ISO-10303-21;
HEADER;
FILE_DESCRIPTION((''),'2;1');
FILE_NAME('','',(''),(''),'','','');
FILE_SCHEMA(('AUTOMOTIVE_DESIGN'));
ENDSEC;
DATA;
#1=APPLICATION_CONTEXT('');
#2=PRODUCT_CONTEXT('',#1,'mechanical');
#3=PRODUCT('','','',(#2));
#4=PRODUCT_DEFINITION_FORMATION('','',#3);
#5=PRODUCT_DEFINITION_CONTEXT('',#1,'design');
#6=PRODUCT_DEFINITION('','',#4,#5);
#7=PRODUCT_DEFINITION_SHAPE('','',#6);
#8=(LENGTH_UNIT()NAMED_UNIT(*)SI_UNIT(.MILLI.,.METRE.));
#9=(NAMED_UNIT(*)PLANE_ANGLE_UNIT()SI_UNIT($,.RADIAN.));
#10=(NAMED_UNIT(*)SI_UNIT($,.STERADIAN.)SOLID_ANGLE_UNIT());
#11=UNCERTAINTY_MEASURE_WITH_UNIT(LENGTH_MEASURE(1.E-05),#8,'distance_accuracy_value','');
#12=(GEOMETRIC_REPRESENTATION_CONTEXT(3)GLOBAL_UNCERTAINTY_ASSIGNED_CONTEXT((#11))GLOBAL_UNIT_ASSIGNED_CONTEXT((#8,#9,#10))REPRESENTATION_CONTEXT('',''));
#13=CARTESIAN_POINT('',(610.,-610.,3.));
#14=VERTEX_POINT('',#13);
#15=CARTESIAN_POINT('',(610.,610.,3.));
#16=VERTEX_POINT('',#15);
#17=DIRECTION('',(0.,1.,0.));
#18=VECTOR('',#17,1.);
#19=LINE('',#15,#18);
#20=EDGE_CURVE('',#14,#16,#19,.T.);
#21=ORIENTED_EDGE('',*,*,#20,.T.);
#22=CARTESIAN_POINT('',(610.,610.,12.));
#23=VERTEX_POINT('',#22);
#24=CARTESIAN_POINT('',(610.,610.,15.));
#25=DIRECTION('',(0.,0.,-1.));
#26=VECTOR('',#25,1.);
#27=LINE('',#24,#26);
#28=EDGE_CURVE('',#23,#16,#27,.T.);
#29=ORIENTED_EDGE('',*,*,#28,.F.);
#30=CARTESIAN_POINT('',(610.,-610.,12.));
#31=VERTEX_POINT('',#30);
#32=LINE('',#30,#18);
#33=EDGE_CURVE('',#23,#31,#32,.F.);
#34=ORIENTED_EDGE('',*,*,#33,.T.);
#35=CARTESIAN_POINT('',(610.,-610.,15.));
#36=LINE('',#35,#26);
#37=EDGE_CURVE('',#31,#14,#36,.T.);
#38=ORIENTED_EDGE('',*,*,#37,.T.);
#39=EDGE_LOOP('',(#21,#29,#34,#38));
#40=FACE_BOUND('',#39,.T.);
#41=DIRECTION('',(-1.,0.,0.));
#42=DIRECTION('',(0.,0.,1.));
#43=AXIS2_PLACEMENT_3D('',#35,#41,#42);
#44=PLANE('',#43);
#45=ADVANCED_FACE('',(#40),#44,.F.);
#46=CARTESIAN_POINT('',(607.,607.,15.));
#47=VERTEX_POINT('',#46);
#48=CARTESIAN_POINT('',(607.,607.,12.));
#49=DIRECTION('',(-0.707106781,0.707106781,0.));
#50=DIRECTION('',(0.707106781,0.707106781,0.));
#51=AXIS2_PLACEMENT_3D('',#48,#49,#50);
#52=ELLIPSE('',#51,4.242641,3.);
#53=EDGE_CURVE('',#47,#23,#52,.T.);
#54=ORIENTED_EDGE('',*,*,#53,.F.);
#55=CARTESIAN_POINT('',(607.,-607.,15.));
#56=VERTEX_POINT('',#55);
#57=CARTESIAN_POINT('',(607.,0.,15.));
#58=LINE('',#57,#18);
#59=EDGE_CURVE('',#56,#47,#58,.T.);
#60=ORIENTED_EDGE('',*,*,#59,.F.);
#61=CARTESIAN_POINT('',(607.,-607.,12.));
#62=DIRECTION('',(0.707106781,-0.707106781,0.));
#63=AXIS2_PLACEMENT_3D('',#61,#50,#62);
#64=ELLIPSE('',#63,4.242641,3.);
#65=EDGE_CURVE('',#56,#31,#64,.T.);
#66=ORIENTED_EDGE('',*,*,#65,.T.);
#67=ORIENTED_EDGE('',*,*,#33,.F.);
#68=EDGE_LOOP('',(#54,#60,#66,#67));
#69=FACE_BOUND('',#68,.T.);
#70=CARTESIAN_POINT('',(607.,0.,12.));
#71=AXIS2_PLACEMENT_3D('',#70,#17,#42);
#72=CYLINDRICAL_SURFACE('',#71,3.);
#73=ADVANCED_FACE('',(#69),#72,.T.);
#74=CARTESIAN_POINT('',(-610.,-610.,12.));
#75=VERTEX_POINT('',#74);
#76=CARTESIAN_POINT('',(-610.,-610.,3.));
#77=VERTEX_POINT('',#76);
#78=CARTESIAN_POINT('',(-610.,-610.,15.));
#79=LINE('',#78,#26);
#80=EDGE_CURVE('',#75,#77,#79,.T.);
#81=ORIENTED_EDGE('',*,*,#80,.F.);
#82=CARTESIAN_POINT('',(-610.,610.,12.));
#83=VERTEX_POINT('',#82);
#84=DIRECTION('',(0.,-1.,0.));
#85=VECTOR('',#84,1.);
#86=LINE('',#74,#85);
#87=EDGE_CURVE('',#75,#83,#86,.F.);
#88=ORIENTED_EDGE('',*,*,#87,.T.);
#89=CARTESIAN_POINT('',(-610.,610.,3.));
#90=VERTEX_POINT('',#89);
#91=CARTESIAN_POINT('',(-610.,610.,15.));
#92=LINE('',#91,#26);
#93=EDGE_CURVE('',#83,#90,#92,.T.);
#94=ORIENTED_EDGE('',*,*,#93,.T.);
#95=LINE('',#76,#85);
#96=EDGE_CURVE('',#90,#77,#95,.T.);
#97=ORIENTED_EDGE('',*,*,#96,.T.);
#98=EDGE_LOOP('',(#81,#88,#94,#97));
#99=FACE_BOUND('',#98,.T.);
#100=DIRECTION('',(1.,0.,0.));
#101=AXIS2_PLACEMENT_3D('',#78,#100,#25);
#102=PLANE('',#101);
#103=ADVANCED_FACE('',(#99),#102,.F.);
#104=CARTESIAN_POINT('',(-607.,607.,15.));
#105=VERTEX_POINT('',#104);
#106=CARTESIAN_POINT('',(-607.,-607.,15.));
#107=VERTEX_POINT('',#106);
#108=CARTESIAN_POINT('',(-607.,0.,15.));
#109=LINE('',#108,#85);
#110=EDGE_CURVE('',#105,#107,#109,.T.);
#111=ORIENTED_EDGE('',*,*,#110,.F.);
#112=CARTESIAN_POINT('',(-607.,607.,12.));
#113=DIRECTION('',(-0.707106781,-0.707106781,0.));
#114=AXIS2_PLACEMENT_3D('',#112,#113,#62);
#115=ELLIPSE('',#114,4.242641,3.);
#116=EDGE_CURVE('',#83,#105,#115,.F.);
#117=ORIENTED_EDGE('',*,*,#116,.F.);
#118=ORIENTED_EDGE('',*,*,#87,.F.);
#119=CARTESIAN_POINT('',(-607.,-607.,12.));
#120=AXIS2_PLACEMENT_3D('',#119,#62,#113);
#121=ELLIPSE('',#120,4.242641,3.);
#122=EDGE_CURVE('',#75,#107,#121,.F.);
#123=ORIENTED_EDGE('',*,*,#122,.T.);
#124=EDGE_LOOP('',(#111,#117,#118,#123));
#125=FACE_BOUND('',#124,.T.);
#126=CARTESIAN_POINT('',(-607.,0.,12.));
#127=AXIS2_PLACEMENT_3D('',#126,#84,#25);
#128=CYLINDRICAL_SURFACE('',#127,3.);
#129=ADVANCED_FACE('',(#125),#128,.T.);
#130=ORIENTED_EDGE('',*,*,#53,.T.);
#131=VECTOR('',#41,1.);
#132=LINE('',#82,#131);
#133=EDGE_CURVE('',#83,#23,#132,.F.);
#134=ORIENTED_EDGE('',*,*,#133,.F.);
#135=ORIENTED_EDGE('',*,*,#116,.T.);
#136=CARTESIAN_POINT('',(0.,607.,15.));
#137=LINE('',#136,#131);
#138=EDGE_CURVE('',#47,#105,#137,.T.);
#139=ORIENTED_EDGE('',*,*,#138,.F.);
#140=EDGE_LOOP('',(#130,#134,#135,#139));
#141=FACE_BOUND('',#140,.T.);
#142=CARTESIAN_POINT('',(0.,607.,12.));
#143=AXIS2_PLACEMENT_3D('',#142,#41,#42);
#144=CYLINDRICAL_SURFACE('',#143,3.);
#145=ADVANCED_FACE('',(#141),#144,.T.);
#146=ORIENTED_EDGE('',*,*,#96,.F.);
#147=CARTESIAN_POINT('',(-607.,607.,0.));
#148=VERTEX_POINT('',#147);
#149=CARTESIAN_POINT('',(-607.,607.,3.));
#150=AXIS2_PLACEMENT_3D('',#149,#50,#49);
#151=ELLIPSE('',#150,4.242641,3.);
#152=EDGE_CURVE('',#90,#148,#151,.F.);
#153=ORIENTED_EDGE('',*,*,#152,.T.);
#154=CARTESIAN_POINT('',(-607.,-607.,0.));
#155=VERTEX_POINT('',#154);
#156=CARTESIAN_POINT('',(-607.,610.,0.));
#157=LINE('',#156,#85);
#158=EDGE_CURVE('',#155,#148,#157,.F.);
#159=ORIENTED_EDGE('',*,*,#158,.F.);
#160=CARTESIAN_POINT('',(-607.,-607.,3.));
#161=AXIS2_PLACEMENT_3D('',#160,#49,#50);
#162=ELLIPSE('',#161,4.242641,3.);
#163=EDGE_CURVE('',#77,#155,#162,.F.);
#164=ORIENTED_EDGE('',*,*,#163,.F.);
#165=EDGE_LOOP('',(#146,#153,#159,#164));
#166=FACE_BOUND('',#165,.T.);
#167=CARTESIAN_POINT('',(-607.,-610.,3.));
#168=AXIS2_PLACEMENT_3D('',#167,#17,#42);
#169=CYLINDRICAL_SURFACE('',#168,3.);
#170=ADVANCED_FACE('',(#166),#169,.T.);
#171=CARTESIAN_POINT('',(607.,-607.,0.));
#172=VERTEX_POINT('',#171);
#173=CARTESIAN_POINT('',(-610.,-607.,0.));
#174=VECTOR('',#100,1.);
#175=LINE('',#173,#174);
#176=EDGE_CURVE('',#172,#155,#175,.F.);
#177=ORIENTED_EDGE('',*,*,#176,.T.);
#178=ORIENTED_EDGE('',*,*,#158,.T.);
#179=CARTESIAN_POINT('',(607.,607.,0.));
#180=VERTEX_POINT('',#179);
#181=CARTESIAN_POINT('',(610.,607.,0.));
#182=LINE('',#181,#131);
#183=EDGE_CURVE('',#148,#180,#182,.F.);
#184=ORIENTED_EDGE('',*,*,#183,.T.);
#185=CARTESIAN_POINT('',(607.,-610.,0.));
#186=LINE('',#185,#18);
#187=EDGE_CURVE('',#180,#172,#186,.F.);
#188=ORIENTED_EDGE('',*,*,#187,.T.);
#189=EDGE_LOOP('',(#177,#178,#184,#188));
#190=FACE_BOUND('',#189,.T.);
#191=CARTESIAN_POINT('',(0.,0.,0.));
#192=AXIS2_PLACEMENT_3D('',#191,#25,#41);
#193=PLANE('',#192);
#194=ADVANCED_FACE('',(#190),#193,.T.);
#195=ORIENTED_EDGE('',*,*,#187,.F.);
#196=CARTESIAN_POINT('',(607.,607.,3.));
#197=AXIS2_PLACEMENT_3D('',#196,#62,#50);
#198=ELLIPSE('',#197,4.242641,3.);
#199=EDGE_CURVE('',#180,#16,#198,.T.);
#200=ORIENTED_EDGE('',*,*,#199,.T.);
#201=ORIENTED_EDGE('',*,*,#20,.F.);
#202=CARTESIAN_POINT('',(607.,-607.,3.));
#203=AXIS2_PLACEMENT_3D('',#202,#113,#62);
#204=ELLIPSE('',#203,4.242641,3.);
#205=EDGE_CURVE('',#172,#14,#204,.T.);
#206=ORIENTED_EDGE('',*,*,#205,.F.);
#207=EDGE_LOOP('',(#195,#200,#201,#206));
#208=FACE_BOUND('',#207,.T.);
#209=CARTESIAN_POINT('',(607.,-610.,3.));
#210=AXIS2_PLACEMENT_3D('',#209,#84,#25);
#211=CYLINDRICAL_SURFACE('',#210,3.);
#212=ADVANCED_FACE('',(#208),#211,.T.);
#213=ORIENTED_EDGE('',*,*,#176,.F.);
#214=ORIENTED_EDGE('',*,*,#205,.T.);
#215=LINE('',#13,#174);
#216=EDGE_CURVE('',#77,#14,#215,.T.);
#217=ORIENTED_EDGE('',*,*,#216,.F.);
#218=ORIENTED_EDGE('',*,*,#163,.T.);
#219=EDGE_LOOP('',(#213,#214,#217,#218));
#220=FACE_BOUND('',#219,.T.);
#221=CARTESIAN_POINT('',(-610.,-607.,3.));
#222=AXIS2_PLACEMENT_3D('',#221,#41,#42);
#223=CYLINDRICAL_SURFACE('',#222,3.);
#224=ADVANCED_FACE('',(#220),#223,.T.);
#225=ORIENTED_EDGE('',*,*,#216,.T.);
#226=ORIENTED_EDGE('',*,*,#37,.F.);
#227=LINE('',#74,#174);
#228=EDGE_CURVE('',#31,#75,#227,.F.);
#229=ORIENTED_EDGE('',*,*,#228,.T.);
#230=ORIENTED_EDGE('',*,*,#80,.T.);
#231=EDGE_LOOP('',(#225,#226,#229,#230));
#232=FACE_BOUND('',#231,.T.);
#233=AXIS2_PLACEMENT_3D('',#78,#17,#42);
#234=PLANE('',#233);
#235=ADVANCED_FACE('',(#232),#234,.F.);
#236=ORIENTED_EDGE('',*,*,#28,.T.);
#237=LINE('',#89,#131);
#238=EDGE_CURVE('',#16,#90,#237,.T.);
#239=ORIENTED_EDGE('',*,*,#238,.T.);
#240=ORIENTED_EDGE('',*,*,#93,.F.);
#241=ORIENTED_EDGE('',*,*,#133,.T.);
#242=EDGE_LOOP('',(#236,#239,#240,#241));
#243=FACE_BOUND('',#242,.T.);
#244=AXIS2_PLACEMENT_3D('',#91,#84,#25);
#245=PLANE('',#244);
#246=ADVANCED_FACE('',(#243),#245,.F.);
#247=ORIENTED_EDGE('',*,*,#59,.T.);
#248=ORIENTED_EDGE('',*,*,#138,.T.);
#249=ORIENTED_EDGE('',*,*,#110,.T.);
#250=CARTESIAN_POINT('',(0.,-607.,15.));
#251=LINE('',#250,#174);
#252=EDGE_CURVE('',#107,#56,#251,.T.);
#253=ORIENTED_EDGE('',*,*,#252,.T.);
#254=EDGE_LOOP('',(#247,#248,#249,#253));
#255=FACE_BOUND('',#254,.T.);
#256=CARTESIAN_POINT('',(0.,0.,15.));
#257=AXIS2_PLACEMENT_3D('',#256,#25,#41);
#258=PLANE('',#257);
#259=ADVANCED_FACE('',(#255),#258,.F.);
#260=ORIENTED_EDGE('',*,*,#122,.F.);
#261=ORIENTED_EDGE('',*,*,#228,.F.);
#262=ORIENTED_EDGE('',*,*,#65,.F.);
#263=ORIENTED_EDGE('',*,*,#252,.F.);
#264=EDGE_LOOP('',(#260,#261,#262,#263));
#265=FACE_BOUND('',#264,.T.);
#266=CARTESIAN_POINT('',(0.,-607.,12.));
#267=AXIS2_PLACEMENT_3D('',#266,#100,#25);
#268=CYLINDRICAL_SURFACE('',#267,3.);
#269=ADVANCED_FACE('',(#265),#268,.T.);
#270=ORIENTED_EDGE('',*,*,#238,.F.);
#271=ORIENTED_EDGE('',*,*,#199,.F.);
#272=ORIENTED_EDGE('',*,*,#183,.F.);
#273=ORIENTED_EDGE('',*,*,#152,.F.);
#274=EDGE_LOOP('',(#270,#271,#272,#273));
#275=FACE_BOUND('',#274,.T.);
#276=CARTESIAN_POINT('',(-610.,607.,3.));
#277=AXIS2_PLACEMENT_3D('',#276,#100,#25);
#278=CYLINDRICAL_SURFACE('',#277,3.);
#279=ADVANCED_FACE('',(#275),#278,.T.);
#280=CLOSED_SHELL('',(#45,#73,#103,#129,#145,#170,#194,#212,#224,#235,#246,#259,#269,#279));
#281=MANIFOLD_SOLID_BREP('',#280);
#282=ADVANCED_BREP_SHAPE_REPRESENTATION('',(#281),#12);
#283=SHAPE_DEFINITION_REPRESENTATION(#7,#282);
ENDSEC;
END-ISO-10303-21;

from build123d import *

# Parameters (mm, degrees)
SKETCH1_W           = 1220
SKETCH1_H           = 1220
BOSS_EXTRUDE1_DEPTH = 15
FILLET1_R           = 3


with BuildPart() as part:
    # Sketch1 → Boss-Extrude1 (new body)
    with BuildSketch(Plane.XY):
        Rectangle(SKETCH1_W, SKETCH1_H)
    extrude(amount=BOSS_EXTRUDE1_DEPTH)

    # Fillet1
    fillet1_edges = [part.edges().sort_by_distance(p)[0] for p in [
        (610, 0, 15),
        (0, 610, 15),
        (-610, 0, 15),
        (0, 610, 0),
        (610, 0, 0),
        (0, -610, 0),
        (-610, 0, 0),
        (0, -610, 15),
    ]]
    fillet(fillet1_edges, radius=FILLET1_R)


solid = part.part
